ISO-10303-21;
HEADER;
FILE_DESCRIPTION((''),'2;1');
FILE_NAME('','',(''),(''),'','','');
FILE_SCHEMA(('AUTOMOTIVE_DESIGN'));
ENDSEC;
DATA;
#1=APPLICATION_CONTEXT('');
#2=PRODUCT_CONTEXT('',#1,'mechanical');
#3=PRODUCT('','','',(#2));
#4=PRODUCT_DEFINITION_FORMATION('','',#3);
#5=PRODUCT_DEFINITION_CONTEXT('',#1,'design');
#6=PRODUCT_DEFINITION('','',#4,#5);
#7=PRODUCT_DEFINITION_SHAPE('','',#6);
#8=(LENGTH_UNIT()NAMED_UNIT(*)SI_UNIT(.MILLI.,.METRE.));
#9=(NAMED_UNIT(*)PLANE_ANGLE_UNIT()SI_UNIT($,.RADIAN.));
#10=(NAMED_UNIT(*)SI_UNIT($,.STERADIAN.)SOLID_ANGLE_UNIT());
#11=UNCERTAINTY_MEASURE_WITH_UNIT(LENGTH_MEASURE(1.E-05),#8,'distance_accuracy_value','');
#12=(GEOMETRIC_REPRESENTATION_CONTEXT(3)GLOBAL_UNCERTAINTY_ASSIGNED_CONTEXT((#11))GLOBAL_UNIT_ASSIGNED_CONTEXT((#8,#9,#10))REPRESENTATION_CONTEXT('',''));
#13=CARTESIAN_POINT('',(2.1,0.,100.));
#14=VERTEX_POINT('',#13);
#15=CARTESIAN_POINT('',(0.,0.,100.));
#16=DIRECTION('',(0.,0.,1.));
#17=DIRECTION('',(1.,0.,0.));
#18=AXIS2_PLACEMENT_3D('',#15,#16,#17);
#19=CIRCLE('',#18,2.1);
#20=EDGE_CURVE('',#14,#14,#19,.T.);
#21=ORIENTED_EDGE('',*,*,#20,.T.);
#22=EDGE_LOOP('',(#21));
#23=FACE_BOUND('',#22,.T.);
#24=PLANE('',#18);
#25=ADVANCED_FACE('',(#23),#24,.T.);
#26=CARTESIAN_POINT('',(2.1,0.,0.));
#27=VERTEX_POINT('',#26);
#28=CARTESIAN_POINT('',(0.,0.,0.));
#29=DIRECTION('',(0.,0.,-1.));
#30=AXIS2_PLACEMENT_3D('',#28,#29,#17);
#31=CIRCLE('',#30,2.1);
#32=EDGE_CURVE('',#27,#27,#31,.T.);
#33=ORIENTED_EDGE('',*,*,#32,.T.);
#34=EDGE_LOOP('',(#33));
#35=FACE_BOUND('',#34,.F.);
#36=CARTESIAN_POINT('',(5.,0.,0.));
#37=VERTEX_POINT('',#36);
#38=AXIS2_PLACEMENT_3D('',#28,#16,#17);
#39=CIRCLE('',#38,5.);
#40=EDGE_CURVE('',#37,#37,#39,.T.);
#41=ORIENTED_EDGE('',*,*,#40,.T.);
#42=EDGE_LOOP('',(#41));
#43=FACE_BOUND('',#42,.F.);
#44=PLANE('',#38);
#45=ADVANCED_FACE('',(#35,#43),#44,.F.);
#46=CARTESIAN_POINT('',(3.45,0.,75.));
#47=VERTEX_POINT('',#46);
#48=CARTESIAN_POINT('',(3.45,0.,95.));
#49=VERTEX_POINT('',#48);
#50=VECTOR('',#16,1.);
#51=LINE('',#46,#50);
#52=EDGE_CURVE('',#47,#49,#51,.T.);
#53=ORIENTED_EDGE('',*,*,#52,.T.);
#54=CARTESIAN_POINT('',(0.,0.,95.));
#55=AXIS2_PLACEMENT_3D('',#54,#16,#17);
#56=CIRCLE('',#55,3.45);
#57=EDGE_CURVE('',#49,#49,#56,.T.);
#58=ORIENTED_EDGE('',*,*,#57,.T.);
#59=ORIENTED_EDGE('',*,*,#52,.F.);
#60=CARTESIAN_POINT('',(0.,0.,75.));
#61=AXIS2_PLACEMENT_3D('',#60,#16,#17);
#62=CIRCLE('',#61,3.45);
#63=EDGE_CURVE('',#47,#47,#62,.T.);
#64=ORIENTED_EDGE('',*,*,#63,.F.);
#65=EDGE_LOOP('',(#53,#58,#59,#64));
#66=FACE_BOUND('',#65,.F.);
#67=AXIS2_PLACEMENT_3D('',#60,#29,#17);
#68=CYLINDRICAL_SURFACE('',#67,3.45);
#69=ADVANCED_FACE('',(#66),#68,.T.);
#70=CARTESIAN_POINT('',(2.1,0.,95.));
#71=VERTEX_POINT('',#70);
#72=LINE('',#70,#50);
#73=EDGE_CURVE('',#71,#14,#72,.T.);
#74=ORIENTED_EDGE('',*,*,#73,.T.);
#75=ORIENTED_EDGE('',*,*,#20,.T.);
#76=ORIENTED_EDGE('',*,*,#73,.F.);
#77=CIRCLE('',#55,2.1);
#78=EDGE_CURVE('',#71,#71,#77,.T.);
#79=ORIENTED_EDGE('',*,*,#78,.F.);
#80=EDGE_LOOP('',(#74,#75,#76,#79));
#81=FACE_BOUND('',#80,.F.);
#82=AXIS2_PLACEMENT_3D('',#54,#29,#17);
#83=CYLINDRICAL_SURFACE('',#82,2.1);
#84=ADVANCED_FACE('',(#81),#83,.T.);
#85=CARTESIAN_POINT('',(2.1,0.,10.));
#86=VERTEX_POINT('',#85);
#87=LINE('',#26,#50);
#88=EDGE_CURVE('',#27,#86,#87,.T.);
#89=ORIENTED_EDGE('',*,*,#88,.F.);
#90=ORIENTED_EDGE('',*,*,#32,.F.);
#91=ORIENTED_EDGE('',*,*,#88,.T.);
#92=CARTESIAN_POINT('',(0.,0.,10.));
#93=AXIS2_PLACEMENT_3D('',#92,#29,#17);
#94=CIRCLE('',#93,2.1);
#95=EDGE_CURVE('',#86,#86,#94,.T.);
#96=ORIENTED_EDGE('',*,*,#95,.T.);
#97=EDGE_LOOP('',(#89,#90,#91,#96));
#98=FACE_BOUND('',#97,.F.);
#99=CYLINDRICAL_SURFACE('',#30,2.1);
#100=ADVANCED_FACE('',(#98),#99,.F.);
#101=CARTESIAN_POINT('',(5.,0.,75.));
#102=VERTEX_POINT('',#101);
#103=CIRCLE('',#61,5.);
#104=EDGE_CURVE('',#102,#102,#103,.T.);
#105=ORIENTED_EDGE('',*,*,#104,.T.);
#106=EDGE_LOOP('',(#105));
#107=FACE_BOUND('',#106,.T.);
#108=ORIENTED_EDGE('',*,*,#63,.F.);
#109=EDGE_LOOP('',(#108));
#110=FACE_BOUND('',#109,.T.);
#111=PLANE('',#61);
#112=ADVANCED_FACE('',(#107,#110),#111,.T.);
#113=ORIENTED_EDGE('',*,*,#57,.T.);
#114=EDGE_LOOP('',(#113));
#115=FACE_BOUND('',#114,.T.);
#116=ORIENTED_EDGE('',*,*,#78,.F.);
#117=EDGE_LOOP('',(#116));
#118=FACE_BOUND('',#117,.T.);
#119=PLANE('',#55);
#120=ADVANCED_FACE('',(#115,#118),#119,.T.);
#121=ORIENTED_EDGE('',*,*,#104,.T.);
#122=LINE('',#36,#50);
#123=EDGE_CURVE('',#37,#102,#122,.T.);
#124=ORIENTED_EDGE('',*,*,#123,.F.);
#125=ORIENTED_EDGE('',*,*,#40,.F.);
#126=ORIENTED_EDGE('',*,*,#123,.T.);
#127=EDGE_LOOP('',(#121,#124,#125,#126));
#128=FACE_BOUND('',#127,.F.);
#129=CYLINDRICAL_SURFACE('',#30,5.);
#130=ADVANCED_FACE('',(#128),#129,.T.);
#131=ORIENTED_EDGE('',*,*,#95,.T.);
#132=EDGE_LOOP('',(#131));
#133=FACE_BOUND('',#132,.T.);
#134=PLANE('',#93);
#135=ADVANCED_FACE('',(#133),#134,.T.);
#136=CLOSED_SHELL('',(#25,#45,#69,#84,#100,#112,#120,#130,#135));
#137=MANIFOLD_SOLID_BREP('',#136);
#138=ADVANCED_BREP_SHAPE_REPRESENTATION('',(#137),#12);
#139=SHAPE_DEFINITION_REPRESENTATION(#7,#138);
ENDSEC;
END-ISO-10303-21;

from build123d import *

# Parameters (mm, degrees)
F0_R     = 5
F1_DEPTH = 75
F2_R     = 3.45
F3_DEPTH = 20
F4_R     = 2.1
F5_DEPTH = 5
F6_R     = 2.1
F7_DEPTH = 10


with BuildPart() as f1:
    # F0 (on Top) → F1 (new body)
    with BuildSketch(Plane.XY):
        Circle(F0_R)
    extrude(amount=F1_DEPTH)

    # F2 (on face) → F3 (join)
    with BuildSketch(Plane.XY.offset(75)):
        Circle(F2_R)
    extrude(amount=F3_DEPTH)

    # F4 (on face) → F5 (join)
    with BuildSketch(Plane.XY.offset(95)):
        Circle(F4_R)
    extrude(amount=F5_DEPTH)

    # F6 (on face) → F7 (cut)
    with BuildSketch(Plane(origin=(0, 0, 0), x_dir=(1, 0, 0), z_dir=(0, 0, -1))):
        Circle(F6_R)
    extrude(amount=-F7_DEPTH, mode=Mode.SUBTRACT)


solid = f1.part
